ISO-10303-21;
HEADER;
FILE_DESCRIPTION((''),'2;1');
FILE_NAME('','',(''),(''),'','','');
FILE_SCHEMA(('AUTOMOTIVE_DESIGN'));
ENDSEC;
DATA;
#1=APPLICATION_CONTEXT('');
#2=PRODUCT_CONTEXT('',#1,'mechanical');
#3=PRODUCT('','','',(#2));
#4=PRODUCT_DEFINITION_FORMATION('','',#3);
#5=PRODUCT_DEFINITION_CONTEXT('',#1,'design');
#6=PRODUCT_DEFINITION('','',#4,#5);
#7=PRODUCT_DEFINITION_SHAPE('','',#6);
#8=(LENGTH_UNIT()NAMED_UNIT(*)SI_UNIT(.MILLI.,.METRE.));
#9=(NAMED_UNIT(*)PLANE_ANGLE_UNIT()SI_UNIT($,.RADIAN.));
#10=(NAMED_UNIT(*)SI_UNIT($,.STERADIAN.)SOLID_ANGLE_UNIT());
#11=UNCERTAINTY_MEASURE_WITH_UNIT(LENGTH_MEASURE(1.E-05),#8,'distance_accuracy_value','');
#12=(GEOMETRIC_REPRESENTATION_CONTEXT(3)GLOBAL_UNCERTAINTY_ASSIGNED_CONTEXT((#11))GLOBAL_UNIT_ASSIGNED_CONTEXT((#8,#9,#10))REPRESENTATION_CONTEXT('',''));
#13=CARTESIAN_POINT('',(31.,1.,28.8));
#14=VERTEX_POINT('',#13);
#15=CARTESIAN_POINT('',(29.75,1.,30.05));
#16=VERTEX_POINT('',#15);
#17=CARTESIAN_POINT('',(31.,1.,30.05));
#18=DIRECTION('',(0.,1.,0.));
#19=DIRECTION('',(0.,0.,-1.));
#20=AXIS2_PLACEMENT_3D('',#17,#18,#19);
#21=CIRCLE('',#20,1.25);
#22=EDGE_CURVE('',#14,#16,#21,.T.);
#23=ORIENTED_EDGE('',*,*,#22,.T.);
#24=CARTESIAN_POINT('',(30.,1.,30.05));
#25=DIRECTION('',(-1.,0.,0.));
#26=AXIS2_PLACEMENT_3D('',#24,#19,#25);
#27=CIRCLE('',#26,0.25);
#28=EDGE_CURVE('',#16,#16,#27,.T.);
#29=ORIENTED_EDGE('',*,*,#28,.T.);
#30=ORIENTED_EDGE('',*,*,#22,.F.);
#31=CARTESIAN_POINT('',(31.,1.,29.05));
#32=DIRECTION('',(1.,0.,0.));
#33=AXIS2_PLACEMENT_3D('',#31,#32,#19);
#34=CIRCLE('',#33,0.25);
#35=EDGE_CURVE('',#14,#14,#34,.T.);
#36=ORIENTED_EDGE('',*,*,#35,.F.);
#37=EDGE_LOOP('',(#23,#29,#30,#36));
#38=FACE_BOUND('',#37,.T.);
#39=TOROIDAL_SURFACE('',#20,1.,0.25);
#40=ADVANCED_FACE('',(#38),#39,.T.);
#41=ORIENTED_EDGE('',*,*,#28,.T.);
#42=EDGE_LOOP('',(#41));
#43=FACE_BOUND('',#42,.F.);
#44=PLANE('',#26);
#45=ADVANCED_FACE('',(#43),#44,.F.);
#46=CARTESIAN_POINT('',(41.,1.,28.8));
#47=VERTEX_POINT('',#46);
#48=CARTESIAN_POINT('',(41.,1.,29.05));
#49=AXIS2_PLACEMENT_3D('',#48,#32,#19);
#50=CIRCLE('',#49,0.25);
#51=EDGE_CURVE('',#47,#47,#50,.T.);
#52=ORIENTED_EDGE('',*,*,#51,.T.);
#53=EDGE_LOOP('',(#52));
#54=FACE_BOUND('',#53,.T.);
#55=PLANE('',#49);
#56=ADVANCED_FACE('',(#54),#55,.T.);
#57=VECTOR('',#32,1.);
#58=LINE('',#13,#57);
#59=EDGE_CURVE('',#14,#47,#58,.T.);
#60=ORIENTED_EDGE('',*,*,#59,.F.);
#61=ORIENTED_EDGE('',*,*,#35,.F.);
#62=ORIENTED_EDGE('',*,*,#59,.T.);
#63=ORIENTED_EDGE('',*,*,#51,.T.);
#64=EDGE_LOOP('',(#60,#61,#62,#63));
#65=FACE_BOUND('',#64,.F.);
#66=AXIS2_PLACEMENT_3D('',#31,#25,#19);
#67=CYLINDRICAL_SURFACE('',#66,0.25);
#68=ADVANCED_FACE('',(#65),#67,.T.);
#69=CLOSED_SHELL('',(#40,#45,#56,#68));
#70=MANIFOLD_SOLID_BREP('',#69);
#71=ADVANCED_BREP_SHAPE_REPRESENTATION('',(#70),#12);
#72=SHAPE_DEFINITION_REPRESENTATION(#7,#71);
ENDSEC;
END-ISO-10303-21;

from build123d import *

# Parameters (mm, degrees)
TORUS_R                = 0.25
TORUS_ANGLE            = 90
CYLINDER_R             = 0.25
CYLINDER_DEPTH         = 10
FUSION_PITCH_ANGLE     = -90
FUSION_PLACEMENT_ANGLE = 90
CLONE_PLACEMENT_ANGLE  = 180


with BuildPart() as torus:
    # Torus → Torus (revolve)
    with BuildSketch(Plane.XZ):
        with Locations((1, 0)):
            Circle(TORUS_R)
    revolve(axis=Axis((0, 0, 0), (0, 0, 1)), revolution_arc=TORUS_ANGLE)


with BuildPart() as fusion001:
    # Cylinder → Cylinder (new body)
    with BuildSketch(Plane(origin=(1, 0, 0), x_dir=(1, 0, 0), z_dir=(0, -1, 0))):
        Circle(CYLINDER_R)
    extrude(amount=CYLINDER_DEPTH)

    # Fusion: union Torus
    add(torus.part)


with BuildPart() as fusion001_1:
    # Fusion pitch: moved
    add(fusion001.part.rotate(Axis((0, 0, 0), (0, 1, 0)), FUSION_PITCH_ANGLE))


with BuildPart() as fusion001_2:
    # Fusion placement: moved
    add(fusion001_1.part.moved(Location((31, 0, 0))).rotate(Axis((31, 0, 0), (0, 0, 1)), FUSION_PLACEMENT_ANGLE))


with BuildPart() as fusion001_3:
    # Clone placement: moved
    add(fusion001_2.part.moved(Location((0, 1, 30.05))).rotate(Axis((0, 1, 30.05), (-1, 0, 0)), CLONE_PLACEMENT_ANGLE))


solid = fusion001_3.part
